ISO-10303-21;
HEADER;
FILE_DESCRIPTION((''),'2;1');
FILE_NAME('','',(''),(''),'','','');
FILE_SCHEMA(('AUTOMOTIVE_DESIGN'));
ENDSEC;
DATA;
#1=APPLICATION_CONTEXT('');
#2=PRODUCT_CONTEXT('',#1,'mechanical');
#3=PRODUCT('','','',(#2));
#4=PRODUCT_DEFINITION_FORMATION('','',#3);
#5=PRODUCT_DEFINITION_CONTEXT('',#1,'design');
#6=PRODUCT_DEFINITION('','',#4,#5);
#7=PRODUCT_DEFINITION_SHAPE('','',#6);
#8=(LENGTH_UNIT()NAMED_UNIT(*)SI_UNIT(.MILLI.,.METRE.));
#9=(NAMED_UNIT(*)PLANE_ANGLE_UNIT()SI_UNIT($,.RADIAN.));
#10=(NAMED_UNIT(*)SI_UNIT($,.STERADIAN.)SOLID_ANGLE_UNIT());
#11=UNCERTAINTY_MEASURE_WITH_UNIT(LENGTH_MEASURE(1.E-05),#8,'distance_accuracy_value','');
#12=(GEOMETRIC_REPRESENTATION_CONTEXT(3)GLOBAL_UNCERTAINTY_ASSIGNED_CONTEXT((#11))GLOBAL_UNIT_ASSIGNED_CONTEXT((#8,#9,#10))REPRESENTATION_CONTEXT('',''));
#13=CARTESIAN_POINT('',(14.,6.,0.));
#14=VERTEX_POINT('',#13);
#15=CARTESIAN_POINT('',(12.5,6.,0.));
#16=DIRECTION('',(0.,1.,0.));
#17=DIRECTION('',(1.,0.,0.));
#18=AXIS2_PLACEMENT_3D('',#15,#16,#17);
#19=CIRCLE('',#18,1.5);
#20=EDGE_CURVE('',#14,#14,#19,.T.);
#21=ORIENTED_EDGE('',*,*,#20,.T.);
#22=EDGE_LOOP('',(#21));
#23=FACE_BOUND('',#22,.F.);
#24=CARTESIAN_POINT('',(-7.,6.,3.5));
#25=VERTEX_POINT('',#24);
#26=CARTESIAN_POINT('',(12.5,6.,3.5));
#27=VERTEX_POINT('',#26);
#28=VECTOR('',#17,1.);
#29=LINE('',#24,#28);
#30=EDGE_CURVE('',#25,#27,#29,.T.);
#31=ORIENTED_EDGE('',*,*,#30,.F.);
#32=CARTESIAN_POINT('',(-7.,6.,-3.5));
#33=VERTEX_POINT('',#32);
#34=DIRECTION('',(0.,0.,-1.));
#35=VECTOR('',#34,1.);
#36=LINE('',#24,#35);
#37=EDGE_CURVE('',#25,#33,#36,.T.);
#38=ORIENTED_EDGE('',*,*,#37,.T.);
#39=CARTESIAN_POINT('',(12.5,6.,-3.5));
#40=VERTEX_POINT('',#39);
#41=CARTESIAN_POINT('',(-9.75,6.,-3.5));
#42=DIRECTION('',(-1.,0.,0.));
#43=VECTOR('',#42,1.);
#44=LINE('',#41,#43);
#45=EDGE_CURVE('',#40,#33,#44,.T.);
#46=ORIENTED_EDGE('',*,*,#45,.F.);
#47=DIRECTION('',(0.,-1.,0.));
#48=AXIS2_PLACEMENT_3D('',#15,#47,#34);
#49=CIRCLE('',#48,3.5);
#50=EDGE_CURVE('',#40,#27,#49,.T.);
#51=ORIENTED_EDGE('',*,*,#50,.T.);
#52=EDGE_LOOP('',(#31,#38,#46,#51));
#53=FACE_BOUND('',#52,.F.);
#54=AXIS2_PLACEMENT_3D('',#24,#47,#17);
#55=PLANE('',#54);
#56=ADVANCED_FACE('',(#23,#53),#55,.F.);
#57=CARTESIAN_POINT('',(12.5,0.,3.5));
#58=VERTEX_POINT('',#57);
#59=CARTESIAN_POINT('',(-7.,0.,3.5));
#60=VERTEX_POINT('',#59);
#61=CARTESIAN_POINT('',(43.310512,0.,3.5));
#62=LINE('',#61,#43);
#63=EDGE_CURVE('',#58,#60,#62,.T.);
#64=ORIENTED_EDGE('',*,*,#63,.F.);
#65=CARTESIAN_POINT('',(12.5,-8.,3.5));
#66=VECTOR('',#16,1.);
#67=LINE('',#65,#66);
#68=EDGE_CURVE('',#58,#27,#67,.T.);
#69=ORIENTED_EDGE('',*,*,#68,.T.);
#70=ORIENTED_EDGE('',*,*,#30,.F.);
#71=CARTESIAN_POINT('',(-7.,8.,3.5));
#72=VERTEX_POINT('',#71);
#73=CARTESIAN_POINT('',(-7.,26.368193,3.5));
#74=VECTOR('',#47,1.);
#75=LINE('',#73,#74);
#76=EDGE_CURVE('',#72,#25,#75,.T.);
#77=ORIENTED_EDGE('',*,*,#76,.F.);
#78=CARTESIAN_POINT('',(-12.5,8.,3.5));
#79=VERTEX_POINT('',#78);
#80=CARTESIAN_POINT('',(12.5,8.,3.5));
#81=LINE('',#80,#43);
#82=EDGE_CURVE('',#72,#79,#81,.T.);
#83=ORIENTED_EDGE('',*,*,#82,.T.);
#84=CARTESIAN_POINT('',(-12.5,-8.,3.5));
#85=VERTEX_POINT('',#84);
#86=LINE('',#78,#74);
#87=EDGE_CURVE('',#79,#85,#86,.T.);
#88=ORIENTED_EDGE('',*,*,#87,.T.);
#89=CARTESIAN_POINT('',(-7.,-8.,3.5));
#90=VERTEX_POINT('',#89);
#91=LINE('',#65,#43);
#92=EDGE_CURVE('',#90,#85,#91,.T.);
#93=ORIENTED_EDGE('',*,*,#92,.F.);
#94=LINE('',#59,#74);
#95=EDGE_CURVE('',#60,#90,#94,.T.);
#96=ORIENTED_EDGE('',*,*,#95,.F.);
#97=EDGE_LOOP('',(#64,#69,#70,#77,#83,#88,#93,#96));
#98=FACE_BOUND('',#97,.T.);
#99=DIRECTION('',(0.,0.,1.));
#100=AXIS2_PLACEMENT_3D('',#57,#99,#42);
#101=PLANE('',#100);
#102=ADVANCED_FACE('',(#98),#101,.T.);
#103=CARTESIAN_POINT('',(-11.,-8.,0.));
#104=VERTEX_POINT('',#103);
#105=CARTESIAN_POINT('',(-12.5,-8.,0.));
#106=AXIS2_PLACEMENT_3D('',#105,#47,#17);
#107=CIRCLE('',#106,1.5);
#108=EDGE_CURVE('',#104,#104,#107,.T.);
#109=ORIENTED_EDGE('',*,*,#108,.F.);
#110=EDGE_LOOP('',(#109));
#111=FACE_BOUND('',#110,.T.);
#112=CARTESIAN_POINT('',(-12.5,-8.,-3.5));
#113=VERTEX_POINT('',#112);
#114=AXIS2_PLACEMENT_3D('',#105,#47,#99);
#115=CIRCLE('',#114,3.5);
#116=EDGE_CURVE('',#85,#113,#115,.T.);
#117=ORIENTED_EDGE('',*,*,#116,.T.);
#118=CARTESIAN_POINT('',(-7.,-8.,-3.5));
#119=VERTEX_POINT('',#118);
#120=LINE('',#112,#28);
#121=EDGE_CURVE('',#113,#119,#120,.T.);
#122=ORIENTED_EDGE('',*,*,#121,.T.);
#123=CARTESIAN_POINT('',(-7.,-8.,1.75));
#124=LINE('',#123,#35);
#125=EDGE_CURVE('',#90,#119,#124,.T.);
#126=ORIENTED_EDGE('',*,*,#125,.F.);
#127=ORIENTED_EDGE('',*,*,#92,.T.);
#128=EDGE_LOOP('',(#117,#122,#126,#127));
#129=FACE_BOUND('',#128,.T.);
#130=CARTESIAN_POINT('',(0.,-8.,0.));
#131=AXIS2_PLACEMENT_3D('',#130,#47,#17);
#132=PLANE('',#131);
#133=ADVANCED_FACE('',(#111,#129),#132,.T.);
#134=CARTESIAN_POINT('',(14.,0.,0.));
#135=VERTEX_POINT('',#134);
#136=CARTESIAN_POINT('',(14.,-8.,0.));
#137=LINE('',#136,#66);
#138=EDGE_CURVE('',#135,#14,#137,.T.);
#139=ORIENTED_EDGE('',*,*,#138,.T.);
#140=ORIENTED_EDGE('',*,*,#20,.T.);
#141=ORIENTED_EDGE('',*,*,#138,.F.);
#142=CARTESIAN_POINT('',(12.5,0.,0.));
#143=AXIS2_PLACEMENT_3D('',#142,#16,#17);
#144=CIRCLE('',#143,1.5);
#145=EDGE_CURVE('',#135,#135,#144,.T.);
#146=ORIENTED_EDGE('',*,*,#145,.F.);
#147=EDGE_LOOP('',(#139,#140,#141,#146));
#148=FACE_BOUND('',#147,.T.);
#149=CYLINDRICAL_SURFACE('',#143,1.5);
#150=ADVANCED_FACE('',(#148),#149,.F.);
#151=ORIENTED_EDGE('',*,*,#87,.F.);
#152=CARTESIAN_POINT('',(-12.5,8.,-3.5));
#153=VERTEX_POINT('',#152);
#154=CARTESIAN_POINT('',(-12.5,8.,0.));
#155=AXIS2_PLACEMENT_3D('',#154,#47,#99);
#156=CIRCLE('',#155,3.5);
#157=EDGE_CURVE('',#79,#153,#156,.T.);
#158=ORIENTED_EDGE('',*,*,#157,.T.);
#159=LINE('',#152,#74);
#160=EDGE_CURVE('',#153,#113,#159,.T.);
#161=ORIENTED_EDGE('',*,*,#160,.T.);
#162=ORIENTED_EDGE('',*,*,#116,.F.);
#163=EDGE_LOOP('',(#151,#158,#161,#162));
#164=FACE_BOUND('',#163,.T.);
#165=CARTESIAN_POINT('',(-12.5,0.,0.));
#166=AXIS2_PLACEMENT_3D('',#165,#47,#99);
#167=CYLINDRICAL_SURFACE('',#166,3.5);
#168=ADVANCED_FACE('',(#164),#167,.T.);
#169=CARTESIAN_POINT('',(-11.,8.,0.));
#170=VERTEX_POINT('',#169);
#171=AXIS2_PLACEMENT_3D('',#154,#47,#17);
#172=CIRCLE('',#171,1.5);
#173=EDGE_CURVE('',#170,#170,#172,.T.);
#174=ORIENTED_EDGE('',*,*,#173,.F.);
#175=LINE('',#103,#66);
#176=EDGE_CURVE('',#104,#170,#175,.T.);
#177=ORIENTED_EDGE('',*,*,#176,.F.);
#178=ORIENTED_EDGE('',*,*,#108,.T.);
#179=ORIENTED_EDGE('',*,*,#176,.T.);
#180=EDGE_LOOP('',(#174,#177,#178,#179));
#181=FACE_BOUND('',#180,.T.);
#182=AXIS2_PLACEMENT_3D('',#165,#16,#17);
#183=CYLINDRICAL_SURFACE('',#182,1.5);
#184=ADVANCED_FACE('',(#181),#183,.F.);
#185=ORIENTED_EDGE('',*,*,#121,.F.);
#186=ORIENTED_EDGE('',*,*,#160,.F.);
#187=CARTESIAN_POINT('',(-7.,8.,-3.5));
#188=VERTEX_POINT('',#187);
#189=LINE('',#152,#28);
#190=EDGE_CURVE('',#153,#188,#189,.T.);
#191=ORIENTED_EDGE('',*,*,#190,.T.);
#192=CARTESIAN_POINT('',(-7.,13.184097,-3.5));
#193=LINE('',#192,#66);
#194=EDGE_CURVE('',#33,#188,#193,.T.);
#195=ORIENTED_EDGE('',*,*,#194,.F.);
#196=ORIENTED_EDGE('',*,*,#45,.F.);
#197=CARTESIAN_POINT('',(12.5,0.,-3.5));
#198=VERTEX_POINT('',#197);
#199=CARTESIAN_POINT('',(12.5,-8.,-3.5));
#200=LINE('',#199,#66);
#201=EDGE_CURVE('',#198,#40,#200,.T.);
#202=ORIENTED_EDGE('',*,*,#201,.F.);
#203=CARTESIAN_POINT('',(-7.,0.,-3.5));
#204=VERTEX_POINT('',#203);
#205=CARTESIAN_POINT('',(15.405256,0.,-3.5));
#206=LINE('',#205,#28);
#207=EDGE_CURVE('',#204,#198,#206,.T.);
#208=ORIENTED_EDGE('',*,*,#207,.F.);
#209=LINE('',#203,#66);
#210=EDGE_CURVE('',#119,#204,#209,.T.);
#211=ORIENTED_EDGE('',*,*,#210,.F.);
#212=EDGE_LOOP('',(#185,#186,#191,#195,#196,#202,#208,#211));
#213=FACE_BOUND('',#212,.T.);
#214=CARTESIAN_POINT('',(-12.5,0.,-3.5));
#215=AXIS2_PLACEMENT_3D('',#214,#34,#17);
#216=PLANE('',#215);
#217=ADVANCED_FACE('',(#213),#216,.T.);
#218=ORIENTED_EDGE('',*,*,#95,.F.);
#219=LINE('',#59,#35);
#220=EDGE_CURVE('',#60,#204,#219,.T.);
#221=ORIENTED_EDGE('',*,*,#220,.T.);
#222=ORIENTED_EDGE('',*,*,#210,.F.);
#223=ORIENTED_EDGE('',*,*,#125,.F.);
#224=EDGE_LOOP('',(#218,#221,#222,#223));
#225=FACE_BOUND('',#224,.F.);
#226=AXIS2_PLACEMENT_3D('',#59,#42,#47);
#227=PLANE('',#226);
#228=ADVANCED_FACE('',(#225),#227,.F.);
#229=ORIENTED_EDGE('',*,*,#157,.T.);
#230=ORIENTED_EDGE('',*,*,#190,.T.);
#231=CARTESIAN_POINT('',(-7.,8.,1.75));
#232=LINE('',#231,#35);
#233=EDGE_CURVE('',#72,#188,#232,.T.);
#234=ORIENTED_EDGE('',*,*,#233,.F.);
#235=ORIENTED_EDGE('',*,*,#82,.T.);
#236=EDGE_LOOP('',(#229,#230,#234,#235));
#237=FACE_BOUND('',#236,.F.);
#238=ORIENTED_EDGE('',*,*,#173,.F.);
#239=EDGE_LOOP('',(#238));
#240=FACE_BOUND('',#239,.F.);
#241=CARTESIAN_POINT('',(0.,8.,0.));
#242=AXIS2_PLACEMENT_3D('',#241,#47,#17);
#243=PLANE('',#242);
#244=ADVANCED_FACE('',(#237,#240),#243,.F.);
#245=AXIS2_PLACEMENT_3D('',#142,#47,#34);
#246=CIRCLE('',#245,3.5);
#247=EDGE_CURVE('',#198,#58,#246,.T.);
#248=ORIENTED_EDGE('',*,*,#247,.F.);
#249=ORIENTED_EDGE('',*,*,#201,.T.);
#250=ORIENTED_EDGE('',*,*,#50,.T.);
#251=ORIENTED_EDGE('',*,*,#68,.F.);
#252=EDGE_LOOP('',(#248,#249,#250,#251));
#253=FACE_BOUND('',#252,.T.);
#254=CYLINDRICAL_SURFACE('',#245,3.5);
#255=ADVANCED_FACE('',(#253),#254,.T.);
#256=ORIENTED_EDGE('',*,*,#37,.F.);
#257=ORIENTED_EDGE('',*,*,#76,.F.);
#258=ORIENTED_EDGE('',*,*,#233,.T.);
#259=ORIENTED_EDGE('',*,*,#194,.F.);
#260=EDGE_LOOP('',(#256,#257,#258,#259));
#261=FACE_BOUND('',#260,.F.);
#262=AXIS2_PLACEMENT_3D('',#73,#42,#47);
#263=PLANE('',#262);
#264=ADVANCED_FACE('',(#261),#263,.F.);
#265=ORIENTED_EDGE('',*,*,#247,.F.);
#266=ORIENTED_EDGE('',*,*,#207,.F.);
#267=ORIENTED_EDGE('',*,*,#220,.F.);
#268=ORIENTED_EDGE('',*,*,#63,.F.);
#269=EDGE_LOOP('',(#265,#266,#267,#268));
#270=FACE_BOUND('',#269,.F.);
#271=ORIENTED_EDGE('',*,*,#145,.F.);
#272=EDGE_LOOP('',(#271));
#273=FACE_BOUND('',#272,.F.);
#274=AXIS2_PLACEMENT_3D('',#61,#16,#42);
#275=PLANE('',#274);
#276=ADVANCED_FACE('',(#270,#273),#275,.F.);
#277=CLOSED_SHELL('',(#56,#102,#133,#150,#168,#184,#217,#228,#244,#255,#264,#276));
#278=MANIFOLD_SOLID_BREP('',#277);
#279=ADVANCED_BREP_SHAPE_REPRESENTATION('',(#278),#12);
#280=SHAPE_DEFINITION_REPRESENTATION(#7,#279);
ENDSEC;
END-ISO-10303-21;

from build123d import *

# Parameters (mm, degrees)
F0_R     = 1.5
F1_DEPTH = 8
F2_W     = 19.5
F2_H     = 8
F2_H_2   = 2
F3_DEPTH = 7.001


with BuildPart() as f1:
    # F0 (on Front) → F1 (new body, symmetric)
    with BuildSketch(Plane.XZ):
        with BuildLine():
            Line((12.5, 3.5), (-12.5, 3.5))
            ThreePointArc((-12.5, 3.5), (-16, 0), (-12.5, -3.5))
            Line((-12.5, -3.5), (12.5, -3.5))
            ThreePointArc((12.5, -3.5), (16, 0), (12.5, 3.5))
        make_face()
        with Locations((-12.5, 0)):
            Circle(F0_R, mode=Mode.SUBTRACT)
        with Locations((12.5, 0)):
            Circle(F0_R, mode=Mode.SUBTRACT)
    extrude(amount=F1_DEPTH, both=True)

    # F2 (on face) → F3 (cut, through all)
    with BuildSketch(Plane.XY.offset(3.5)):
        Polygon((12.5, 8), (12.5, 6), (38.743676, 6), (38.743676, 26.368193), (-7, 26.368193), (-7, 8), align=None)
        Polygon((43.310512, 0), (12.5, 0), (12.5, -8), (-7, -8), (-7, -22.254754), (43.310512, -22.254754), align=None)
        with Locations((2.75, -4)):
            Rectangle(F2_W, F2_H)
        with Locations((2.75, 7)):
            Rectangle(F2_W, F2_H_2)
    extrude(amount=-F3_DEPTH, mode=Mode.SUBTRACT)


solid = f1.part
